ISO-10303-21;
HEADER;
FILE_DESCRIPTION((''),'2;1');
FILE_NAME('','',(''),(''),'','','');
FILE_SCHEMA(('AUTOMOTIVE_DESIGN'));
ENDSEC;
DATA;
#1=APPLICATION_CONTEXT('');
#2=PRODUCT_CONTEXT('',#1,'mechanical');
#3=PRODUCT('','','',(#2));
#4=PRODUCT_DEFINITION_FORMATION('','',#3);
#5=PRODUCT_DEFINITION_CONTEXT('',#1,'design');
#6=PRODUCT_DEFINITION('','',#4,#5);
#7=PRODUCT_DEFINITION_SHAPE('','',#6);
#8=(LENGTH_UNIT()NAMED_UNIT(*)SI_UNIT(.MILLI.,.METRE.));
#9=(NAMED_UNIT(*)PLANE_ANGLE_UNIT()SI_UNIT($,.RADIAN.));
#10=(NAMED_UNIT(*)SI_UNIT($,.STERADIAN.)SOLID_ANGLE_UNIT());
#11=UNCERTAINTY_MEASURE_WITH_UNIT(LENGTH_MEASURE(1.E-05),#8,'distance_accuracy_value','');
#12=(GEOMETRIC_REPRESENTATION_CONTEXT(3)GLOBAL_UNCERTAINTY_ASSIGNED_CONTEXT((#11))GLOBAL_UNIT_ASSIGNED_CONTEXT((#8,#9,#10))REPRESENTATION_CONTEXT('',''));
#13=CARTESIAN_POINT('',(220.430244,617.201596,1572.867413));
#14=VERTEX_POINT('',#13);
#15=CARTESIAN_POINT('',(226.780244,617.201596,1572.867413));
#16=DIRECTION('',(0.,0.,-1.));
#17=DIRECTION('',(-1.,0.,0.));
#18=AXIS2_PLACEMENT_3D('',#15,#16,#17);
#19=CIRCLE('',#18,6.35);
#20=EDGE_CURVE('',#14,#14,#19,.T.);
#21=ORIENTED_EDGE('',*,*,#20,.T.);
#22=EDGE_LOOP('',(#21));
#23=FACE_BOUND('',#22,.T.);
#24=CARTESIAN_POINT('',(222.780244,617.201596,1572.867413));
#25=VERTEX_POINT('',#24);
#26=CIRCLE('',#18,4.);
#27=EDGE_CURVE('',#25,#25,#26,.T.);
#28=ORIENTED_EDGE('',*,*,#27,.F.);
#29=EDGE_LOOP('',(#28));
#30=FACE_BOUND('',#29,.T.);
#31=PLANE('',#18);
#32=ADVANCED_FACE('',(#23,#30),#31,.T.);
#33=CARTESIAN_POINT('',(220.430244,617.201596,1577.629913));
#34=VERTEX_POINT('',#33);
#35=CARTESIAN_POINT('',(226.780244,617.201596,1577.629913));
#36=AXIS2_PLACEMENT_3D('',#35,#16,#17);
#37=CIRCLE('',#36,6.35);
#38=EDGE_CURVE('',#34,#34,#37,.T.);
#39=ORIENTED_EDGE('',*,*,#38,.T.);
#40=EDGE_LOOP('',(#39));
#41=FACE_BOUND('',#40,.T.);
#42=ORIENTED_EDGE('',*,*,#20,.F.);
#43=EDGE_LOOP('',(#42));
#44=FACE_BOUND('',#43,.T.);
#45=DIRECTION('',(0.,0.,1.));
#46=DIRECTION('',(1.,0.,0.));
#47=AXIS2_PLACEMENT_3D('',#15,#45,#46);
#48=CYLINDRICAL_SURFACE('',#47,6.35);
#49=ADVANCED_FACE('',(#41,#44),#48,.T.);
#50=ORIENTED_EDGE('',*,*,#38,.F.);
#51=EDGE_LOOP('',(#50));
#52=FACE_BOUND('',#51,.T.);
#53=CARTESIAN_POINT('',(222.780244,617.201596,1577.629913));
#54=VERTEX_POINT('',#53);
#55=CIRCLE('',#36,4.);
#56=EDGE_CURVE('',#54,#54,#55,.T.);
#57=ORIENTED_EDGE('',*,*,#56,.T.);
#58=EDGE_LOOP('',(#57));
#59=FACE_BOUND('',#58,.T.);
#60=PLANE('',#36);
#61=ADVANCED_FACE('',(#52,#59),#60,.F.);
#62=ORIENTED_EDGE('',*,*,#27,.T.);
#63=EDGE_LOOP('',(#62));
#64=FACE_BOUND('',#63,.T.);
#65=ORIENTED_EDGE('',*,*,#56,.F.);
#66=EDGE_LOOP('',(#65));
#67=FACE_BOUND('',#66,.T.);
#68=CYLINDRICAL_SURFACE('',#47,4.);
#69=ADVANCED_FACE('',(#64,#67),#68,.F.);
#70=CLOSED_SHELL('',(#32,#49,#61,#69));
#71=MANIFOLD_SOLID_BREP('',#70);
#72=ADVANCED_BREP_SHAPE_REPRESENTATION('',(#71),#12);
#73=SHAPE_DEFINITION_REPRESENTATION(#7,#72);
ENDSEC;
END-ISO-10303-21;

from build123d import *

# Parameters (mm, degrees)
SKETCH1_R           = 6.35
BOSS_EXTRUDE1_DEPTH = 4.7625
SKETCH1_3_R         = 4
CUT_EXTRUDE1_DEPTH  = 4.7625


with BuildPart() as part:
    # Sketch1 → Boss-Extrude1 (new body)
    with BuildSketch(Plane(origin=(0, 0, 1577.629912845), x_dir=(-1, 0, 0), z_dir=(0, 0, -1))):
        with Locations((-226.780244033, 617.20159627)):
            Circle(SKETCH1_R)
    extrude(amount=BOSS_EXTRUDE1_DEPTH)

    # Sketch1<3> → Cut-Extrude1 (cut)
    with BuildSketch(Plane(origin=(0, 0, 1577.629912845), x_dir=(-1, 0, 0), z_dir=(0, 0, -1))):
        with Locations((-226.780244033, 617.20159627)):
            Circle(SKETCH1_3_R)
    extrude(amount=CUT_EXTRUDE1_DEPTH, mode=Mode.SUBTRACT)


solid = part.part
